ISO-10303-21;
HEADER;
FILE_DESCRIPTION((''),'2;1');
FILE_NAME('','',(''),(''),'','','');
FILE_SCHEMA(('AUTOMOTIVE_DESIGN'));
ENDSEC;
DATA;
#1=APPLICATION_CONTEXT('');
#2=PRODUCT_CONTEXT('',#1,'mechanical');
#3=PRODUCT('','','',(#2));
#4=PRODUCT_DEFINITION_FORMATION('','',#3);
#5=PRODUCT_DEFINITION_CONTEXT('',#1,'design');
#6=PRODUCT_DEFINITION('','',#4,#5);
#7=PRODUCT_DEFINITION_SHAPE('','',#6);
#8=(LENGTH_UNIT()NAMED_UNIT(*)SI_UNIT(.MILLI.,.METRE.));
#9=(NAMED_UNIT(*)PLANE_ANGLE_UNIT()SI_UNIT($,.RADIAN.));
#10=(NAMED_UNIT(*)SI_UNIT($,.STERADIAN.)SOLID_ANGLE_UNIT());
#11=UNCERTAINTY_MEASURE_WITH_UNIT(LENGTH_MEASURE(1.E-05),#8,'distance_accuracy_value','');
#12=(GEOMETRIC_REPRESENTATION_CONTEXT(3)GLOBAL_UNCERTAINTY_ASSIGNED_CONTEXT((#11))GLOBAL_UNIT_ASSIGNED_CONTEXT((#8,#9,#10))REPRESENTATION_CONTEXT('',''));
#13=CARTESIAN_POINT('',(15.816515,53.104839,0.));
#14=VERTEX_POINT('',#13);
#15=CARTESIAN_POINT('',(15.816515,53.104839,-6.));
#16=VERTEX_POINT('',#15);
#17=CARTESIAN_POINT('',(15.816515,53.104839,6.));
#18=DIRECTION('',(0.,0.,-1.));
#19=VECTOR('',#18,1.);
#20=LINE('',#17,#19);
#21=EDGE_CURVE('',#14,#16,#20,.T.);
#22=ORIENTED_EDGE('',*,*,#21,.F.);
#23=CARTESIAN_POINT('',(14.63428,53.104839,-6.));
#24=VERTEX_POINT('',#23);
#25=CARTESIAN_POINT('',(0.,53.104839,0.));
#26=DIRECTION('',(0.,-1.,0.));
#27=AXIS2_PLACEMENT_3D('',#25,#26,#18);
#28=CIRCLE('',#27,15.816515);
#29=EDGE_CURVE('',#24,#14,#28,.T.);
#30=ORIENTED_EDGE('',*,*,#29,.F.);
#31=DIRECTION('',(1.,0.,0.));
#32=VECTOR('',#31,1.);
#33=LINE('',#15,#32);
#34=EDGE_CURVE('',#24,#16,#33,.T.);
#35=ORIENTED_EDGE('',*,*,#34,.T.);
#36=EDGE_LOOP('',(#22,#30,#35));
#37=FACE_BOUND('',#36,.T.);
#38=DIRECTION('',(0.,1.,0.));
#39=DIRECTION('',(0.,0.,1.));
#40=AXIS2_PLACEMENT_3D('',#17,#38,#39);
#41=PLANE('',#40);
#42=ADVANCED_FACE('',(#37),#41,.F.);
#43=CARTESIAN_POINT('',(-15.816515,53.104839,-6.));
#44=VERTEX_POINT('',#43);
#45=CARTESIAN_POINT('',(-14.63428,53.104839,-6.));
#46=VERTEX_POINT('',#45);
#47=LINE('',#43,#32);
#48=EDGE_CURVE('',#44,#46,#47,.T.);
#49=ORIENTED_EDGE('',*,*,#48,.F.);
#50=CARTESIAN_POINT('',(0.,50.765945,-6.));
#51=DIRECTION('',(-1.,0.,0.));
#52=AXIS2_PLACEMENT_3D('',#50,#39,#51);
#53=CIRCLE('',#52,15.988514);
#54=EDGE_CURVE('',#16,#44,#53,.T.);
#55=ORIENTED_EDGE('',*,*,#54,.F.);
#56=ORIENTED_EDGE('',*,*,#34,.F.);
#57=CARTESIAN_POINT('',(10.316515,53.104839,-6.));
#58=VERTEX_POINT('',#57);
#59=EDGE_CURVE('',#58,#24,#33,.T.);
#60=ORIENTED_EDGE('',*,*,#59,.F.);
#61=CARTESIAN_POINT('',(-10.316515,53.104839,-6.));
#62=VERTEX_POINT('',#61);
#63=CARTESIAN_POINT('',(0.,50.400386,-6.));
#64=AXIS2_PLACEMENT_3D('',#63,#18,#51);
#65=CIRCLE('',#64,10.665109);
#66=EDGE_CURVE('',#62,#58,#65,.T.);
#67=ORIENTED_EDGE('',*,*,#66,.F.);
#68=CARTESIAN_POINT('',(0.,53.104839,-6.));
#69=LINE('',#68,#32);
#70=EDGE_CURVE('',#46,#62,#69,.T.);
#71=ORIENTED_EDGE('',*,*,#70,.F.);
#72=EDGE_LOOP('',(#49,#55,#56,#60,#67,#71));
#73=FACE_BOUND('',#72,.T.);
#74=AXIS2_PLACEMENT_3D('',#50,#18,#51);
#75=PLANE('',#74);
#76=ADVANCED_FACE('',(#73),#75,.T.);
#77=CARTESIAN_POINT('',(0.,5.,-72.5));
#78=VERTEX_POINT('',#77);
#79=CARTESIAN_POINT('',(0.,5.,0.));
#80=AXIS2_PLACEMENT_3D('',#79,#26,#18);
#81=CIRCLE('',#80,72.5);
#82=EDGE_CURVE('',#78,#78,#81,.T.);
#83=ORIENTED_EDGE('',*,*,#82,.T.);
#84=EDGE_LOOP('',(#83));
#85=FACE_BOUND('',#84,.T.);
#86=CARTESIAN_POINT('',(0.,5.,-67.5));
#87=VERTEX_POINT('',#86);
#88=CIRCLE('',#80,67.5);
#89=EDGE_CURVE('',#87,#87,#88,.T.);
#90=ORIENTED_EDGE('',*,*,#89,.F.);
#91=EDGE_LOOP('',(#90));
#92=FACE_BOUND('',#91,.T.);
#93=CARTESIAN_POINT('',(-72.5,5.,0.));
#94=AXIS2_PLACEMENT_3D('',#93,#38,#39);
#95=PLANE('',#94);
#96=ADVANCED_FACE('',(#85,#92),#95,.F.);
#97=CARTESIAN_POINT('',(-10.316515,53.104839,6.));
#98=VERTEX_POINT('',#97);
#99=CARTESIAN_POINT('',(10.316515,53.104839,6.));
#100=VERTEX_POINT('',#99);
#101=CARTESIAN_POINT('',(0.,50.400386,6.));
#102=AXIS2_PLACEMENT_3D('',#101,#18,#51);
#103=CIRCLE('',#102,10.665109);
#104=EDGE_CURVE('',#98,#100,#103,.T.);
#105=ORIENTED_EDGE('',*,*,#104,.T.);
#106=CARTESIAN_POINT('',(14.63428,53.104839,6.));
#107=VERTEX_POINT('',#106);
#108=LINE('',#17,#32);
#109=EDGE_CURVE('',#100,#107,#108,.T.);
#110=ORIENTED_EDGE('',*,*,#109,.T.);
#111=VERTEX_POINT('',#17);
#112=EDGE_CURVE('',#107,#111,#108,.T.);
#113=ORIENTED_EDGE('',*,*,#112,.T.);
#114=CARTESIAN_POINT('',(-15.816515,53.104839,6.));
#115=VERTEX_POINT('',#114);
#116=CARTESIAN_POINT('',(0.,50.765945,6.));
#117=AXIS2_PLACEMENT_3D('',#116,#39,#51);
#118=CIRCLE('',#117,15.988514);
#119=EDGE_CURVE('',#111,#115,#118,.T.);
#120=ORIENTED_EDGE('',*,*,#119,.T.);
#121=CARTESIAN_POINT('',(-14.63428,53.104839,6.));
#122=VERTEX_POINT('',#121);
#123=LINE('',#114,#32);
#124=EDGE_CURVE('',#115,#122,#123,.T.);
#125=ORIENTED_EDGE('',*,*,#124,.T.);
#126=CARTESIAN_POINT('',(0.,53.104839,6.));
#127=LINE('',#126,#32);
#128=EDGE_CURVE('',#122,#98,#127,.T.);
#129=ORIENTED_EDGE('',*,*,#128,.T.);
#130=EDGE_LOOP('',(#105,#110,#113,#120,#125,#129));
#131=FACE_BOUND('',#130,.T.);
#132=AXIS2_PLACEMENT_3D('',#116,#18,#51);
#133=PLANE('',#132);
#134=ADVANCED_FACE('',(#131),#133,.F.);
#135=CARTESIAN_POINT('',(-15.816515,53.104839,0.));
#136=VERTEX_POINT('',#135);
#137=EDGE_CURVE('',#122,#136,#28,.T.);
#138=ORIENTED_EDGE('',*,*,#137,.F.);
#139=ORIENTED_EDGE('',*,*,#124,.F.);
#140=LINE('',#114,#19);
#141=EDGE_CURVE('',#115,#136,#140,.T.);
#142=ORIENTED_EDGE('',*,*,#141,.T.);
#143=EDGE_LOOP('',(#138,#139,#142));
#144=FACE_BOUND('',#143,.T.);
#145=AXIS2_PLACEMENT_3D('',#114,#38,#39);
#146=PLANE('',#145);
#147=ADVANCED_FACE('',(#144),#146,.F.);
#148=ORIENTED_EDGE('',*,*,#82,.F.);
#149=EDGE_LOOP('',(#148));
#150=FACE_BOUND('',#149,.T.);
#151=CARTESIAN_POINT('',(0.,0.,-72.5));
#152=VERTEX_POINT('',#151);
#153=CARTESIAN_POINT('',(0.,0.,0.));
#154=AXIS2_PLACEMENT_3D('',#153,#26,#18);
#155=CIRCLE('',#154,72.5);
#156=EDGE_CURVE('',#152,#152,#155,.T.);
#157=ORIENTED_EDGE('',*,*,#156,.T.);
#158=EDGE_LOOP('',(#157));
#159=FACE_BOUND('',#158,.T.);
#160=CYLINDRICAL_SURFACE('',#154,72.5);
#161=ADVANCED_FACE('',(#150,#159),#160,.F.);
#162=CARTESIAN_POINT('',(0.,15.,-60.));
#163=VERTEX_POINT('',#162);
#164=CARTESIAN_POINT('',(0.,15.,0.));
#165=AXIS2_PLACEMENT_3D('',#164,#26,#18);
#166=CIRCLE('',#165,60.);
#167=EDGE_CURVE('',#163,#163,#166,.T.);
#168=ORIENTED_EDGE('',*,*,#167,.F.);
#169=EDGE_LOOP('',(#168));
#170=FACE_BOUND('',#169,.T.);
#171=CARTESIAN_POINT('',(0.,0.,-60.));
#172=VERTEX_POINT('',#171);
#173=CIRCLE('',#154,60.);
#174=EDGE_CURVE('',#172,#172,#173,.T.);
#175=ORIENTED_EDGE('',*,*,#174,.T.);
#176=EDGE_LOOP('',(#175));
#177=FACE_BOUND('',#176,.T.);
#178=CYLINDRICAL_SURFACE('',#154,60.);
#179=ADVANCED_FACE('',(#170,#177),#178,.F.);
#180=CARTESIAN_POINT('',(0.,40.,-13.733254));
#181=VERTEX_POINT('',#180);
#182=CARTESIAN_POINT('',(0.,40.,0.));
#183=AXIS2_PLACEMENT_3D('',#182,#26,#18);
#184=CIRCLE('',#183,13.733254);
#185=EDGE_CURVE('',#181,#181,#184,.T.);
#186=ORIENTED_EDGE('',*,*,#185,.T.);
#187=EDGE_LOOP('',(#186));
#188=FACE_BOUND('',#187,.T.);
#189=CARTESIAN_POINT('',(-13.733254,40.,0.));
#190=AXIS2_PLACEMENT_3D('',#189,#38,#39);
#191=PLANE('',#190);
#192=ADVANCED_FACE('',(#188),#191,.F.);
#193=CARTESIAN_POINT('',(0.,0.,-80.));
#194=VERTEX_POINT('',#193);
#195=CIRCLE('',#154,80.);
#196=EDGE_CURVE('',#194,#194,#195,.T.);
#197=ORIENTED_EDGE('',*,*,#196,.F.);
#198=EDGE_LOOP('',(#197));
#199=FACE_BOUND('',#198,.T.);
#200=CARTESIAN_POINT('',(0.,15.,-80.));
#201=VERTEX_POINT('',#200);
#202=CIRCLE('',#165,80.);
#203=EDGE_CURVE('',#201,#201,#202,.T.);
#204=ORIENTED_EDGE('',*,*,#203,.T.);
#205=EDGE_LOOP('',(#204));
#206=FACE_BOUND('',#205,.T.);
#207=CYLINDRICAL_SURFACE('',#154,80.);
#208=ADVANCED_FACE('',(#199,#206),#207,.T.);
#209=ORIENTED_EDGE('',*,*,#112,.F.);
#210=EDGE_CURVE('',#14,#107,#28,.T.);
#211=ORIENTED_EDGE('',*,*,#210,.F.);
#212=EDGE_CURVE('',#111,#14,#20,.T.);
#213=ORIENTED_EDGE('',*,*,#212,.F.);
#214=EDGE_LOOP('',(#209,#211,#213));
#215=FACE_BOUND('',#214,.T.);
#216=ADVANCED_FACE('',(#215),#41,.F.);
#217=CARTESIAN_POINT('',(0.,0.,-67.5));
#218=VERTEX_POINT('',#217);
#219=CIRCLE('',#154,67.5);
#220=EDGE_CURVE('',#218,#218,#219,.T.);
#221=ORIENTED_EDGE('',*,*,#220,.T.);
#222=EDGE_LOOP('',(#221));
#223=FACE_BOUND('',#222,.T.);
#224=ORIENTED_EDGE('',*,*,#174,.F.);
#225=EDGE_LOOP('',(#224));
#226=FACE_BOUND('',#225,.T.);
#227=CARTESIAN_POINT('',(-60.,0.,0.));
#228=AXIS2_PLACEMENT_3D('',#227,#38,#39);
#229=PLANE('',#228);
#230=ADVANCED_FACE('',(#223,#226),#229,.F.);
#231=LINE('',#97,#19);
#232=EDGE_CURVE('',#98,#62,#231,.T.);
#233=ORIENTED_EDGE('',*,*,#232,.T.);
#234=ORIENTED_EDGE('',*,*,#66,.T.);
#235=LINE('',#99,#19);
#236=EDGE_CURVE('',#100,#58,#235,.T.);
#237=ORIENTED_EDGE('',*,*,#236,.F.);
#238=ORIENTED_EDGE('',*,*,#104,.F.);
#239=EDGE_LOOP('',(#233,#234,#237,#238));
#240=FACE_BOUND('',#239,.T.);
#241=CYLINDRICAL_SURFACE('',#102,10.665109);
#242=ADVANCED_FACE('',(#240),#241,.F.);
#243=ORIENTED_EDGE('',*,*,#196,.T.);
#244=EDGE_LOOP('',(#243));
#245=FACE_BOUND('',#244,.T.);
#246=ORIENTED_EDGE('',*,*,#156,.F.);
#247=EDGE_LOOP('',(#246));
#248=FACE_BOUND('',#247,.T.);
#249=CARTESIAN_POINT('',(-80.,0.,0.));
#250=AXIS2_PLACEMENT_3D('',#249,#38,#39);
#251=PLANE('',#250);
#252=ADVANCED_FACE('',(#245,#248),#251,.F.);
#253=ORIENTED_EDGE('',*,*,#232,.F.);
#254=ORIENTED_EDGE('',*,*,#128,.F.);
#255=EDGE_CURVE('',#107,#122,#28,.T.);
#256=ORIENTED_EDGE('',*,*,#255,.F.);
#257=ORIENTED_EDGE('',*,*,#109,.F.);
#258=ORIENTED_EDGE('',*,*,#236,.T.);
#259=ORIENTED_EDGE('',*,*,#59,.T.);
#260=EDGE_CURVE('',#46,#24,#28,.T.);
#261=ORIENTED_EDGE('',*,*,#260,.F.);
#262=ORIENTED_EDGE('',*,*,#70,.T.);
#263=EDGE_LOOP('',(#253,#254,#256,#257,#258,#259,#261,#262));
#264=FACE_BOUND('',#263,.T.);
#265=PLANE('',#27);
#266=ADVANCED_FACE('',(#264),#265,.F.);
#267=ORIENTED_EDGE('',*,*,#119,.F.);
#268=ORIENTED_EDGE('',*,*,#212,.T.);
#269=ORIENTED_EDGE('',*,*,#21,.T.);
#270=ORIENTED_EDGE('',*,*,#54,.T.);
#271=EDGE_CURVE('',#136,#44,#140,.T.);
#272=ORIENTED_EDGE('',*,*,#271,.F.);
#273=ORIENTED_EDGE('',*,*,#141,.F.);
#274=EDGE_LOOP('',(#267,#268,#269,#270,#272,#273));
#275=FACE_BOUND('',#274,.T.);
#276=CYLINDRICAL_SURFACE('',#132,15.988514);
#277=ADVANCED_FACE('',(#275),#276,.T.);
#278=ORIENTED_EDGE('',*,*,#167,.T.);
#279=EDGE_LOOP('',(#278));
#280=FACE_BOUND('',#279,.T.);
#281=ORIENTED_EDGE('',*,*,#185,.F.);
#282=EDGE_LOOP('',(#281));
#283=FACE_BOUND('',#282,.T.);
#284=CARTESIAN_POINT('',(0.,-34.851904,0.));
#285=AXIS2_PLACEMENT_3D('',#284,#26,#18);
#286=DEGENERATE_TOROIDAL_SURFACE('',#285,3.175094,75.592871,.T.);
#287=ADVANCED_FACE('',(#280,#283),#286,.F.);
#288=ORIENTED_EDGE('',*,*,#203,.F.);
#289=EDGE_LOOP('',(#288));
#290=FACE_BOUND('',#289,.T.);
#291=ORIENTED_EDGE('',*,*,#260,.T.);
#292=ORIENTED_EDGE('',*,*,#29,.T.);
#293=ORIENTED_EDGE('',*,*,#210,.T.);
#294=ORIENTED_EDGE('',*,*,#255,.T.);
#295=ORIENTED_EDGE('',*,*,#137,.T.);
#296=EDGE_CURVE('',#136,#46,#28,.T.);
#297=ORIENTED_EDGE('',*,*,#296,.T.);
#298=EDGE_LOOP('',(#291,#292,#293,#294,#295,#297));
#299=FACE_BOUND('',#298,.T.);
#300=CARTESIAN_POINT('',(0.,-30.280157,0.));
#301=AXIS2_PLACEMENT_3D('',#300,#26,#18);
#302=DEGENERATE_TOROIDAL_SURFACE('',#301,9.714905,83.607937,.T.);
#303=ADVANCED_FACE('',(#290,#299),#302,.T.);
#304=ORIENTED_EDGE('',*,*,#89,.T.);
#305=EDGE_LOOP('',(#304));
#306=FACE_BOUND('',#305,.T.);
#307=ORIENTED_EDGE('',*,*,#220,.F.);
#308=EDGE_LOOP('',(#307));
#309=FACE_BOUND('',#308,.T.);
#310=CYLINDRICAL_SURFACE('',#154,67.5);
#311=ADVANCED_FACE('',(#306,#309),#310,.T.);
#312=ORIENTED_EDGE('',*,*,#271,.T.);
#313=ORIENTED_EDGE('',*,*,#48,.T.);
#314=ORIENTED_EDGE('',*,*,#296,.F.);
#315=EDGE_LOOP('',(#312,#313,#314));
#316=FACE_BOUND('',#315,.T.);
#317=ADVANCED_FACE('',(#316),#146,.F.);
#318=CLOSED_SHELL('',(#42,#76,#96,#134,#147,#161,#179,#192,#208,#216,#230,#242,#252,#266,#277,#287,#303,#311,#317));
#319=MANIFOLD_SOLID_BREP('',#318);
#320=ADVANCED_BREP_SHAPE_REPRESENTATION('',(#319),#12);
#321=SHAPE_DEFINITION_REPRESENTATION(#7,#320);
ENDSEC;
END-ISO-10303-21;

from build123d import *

# Parameters (mm, degrees)
RESSALTO_EXTRUS_O1_DEPTH = 6


with BuildPart() as part:
    # Esboço1 → Revolução1 (revolve)
    with BuildSketch(Plane.XY, mode=Mode.PRIVATE) as revolu_o1_sk:
        with BuildLine():
            Line((-80, 0), (-72.5, 0))
            Line((-72.5, 0), (-72.5, 5))
            Line((-72.5, 5), (-67.5, 5))
            Line((-67.5, 5), (-67.5, 0))
            Line((-67.5, 0), (-60, 0))
            Line((-60, 0), (-60, 15))
            ThreePointArc((-60, 15), (-39.11072253, 31.653079881), (-13.733254033, 40))
            Line((-13.733254033, 40), (0, 40))
            Line((0, 40), (0, 53.104839013))
            Line((0, 53.104839013), (-15.816514793, 53.104839013))
            ThreePointArc((-15.816514793, 53.104839013), (-52.396597301, 41.612543242), (-80, 15))
            Line((-80, 15), (-80, 0))
        make_face()
    revolve(revolu_o1_sk.sketch.rotate(Axis((0, 0, 0), (0, 1, 0)), 270), axis=Axis((0, 0, 0), (0, 1, 0)))

    # Esboço2 → Ressalto-extrusão1 (add, symmetric)
    with BuildSketch(Plane.XY):
        with BuildLine():
            Line((15.816514793, 53.104839013), (10.316514793, 53.104839013))
            ThreePointArc((10.316514793, 53.104839013), (0, 61.065494668), (-10.316514793, 53.104839013))
            Line((-10.316514793, 53.104839013), (-15.816514793, 53.104839013))
            ThreePointArc((-15.816514793, 53.104839013), (0, 66.754458801), (15.816514793, 53.104839013))
        make_face()
    extrude(amount=RESSALTO_EXTRUS_O1_DEPTH, both=True)


solid = part.part
